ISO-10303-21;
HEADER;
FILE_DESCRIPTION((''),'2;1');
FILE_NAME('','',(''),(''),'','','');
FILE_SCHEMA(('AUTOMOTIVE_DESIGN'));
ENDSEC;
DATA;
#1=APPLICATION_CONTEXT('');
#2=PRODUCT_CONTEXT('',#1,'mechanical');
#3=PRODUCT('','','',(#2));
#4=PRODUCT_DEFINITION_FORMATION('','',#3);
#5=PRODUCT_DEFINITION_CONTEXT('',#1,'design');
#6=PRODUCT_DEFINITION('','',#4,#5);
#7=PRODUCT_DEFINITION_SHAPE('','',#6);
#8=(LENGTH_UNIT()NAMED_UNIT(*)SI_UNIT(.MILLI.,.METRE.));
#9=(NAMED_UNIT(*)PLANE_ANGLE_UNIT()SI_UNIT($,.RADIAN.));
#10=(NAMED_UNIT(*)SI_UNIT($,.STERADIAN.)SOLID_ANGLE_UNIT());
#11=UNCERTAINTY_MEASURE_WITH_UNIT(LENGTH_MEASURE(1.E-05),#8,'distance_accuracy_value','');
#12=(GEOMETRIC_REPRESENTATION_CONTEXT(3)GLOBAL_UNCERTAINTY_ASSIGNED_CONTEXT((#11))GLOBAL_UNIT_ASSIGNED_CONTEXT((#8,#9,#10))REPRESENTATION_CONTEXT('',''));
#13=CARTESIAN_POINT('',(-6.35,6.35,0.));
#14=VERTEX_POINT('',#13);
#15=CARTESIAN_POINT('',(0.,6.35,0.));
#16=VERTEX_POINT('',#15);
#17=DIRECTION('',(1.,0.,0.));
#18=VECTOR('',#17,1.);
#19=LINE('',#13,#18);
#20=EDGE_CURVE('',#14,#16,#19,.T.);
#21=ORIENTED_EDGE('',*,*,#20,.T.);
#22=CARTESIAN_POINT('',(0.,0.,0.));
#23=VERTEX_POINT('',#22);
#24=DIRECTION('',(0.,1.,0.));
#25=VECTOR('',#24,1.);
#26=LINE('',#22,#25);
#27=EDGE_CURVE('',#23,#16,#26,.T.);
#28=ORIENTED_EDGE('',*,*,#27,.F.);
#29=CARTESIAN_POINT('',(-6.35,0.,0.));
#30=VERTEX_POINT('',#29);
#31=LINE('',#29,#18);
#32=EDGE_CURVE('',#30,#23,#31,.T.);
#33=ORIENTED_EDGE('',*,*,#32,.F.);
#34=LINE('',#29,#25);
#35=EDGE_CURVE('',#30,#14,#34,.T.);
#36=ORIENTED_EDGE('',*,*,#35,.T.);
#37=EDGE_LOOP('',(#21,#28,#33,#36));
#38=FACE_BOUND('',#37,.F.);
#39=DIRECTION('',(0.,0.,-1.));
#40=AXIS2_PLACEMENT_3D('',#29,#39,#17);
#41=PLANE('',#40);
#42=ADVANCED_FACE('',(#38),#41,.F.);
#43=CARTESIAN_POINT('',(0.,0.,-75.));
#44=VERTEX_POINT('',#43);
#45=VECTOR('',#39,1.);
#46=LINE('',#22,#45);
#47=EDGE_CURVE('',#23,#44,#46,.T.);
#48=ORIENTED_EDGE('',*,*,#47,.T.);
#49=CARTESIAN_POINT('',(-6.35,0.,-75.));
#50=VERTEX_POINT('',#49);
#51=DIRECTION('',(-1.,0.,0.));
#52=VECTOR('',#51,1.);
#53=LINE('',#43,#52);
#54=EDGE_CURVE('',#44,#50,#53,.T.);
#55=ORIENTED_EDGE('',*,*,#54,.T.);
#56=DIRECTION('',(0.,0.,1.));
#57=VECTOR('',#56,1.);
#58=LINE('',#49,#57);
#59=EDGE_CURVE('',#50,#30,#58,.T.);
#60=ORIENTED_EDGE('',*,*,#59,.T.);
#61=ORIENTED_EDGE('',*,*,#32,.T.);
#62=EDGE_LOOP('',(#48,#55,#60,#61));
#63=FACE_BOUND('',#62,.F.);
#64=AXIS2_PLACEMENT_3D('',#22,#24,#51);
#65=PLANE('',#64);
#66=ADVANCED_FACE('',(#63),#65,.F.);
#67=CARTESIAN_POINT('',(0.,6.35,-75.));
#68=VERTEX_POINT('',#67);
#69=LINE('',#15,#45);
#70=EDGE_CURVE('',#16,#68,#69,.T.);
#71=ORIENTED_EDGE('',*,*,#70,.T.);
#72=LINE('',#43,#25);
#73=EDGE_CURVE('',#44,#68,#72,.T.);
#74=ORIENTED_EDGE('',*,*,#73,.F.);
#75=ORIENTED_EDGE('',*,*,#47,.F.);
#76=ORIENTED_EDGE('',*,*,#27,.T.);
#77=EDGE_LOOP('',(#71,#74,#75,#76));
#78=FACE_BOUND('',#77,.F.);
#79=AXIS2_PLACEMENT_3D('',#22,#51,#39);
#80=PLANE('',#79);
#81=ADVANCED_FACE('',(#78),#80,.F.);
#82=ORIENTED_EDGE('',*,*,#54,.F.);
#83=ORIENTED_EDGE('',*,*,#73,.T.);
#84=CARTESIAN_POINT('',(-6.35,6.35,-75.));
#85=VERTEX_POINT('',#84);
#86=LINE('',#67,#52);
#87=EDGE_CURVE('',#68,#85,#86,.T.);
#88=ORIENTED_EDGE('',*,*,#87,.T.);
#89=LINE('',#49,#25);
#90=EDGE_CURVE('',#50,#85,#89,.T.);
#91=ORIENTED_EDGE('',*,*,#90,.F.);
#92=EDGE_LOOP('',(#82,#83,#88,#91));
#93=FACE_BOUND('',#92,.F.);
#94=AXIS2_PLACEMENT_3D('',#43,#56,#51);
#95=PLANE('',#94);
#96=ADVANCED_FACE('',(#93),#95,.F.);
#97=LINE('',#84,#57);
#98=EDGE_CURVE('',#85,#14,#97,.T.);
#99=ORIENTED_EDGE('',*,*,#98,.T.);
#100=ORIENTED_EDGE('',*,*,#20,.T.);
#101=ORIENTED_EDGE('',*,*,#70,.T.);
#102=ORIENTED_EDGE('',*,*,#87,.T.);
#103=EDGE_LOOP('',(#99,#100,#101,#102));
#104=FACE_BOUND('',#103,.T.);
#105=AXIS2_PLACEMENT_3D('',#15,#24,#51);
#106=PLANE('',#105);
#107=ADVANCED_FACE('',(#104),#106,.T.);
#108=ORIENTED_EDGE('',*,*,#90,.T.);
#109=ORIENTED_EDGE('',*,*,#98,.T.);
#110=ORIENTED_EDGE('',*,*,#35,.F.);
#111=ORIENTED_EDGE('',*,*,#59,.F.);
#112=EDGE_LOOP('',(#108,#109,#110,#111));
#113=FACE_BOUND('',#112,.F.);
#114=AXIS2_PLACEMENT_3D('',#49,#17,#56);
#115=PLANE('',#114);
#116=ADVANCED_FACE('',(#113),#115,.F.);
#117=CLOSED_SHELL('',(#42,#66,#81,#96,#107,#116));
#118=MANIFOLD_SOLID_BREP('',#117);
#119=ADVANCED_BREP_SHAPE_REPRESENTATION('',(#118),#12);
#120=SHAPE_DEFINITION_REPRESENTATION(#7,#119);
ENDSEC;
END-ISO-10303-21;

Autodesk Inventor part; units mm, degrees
ref_plane "YZ Plane" through (0, 0, 0) normal (1, 0, 0) x (0, 1, 0)
ref_plane "XZ Plane" through (0, 0, 0) normal (0, 1, 0) x (-1, 0, 0)
ref_plane "XY Plane" through (0, 0, 0) normal (0, 0, 1) x (1, 0, 0)
sketch "Sketch1" plane through (0, 0, 0) normal (0, 1, 0) x (-1, 0, 0)
  line L0 (0, 0) -> (0, -75)
  line L1 (0, -75) -> (6.35, -75)
  line L2 (6.35, -75) -> (6.35, 0)
  line L3 (6.35, 0) -> (0, 0)
  dimension "d0" = 75
  dimension "d1" = 6.35
extrude "Extrusion1" add sketch "Sketch1" along normal blind 6.35
properties part number "BottomBottom"
